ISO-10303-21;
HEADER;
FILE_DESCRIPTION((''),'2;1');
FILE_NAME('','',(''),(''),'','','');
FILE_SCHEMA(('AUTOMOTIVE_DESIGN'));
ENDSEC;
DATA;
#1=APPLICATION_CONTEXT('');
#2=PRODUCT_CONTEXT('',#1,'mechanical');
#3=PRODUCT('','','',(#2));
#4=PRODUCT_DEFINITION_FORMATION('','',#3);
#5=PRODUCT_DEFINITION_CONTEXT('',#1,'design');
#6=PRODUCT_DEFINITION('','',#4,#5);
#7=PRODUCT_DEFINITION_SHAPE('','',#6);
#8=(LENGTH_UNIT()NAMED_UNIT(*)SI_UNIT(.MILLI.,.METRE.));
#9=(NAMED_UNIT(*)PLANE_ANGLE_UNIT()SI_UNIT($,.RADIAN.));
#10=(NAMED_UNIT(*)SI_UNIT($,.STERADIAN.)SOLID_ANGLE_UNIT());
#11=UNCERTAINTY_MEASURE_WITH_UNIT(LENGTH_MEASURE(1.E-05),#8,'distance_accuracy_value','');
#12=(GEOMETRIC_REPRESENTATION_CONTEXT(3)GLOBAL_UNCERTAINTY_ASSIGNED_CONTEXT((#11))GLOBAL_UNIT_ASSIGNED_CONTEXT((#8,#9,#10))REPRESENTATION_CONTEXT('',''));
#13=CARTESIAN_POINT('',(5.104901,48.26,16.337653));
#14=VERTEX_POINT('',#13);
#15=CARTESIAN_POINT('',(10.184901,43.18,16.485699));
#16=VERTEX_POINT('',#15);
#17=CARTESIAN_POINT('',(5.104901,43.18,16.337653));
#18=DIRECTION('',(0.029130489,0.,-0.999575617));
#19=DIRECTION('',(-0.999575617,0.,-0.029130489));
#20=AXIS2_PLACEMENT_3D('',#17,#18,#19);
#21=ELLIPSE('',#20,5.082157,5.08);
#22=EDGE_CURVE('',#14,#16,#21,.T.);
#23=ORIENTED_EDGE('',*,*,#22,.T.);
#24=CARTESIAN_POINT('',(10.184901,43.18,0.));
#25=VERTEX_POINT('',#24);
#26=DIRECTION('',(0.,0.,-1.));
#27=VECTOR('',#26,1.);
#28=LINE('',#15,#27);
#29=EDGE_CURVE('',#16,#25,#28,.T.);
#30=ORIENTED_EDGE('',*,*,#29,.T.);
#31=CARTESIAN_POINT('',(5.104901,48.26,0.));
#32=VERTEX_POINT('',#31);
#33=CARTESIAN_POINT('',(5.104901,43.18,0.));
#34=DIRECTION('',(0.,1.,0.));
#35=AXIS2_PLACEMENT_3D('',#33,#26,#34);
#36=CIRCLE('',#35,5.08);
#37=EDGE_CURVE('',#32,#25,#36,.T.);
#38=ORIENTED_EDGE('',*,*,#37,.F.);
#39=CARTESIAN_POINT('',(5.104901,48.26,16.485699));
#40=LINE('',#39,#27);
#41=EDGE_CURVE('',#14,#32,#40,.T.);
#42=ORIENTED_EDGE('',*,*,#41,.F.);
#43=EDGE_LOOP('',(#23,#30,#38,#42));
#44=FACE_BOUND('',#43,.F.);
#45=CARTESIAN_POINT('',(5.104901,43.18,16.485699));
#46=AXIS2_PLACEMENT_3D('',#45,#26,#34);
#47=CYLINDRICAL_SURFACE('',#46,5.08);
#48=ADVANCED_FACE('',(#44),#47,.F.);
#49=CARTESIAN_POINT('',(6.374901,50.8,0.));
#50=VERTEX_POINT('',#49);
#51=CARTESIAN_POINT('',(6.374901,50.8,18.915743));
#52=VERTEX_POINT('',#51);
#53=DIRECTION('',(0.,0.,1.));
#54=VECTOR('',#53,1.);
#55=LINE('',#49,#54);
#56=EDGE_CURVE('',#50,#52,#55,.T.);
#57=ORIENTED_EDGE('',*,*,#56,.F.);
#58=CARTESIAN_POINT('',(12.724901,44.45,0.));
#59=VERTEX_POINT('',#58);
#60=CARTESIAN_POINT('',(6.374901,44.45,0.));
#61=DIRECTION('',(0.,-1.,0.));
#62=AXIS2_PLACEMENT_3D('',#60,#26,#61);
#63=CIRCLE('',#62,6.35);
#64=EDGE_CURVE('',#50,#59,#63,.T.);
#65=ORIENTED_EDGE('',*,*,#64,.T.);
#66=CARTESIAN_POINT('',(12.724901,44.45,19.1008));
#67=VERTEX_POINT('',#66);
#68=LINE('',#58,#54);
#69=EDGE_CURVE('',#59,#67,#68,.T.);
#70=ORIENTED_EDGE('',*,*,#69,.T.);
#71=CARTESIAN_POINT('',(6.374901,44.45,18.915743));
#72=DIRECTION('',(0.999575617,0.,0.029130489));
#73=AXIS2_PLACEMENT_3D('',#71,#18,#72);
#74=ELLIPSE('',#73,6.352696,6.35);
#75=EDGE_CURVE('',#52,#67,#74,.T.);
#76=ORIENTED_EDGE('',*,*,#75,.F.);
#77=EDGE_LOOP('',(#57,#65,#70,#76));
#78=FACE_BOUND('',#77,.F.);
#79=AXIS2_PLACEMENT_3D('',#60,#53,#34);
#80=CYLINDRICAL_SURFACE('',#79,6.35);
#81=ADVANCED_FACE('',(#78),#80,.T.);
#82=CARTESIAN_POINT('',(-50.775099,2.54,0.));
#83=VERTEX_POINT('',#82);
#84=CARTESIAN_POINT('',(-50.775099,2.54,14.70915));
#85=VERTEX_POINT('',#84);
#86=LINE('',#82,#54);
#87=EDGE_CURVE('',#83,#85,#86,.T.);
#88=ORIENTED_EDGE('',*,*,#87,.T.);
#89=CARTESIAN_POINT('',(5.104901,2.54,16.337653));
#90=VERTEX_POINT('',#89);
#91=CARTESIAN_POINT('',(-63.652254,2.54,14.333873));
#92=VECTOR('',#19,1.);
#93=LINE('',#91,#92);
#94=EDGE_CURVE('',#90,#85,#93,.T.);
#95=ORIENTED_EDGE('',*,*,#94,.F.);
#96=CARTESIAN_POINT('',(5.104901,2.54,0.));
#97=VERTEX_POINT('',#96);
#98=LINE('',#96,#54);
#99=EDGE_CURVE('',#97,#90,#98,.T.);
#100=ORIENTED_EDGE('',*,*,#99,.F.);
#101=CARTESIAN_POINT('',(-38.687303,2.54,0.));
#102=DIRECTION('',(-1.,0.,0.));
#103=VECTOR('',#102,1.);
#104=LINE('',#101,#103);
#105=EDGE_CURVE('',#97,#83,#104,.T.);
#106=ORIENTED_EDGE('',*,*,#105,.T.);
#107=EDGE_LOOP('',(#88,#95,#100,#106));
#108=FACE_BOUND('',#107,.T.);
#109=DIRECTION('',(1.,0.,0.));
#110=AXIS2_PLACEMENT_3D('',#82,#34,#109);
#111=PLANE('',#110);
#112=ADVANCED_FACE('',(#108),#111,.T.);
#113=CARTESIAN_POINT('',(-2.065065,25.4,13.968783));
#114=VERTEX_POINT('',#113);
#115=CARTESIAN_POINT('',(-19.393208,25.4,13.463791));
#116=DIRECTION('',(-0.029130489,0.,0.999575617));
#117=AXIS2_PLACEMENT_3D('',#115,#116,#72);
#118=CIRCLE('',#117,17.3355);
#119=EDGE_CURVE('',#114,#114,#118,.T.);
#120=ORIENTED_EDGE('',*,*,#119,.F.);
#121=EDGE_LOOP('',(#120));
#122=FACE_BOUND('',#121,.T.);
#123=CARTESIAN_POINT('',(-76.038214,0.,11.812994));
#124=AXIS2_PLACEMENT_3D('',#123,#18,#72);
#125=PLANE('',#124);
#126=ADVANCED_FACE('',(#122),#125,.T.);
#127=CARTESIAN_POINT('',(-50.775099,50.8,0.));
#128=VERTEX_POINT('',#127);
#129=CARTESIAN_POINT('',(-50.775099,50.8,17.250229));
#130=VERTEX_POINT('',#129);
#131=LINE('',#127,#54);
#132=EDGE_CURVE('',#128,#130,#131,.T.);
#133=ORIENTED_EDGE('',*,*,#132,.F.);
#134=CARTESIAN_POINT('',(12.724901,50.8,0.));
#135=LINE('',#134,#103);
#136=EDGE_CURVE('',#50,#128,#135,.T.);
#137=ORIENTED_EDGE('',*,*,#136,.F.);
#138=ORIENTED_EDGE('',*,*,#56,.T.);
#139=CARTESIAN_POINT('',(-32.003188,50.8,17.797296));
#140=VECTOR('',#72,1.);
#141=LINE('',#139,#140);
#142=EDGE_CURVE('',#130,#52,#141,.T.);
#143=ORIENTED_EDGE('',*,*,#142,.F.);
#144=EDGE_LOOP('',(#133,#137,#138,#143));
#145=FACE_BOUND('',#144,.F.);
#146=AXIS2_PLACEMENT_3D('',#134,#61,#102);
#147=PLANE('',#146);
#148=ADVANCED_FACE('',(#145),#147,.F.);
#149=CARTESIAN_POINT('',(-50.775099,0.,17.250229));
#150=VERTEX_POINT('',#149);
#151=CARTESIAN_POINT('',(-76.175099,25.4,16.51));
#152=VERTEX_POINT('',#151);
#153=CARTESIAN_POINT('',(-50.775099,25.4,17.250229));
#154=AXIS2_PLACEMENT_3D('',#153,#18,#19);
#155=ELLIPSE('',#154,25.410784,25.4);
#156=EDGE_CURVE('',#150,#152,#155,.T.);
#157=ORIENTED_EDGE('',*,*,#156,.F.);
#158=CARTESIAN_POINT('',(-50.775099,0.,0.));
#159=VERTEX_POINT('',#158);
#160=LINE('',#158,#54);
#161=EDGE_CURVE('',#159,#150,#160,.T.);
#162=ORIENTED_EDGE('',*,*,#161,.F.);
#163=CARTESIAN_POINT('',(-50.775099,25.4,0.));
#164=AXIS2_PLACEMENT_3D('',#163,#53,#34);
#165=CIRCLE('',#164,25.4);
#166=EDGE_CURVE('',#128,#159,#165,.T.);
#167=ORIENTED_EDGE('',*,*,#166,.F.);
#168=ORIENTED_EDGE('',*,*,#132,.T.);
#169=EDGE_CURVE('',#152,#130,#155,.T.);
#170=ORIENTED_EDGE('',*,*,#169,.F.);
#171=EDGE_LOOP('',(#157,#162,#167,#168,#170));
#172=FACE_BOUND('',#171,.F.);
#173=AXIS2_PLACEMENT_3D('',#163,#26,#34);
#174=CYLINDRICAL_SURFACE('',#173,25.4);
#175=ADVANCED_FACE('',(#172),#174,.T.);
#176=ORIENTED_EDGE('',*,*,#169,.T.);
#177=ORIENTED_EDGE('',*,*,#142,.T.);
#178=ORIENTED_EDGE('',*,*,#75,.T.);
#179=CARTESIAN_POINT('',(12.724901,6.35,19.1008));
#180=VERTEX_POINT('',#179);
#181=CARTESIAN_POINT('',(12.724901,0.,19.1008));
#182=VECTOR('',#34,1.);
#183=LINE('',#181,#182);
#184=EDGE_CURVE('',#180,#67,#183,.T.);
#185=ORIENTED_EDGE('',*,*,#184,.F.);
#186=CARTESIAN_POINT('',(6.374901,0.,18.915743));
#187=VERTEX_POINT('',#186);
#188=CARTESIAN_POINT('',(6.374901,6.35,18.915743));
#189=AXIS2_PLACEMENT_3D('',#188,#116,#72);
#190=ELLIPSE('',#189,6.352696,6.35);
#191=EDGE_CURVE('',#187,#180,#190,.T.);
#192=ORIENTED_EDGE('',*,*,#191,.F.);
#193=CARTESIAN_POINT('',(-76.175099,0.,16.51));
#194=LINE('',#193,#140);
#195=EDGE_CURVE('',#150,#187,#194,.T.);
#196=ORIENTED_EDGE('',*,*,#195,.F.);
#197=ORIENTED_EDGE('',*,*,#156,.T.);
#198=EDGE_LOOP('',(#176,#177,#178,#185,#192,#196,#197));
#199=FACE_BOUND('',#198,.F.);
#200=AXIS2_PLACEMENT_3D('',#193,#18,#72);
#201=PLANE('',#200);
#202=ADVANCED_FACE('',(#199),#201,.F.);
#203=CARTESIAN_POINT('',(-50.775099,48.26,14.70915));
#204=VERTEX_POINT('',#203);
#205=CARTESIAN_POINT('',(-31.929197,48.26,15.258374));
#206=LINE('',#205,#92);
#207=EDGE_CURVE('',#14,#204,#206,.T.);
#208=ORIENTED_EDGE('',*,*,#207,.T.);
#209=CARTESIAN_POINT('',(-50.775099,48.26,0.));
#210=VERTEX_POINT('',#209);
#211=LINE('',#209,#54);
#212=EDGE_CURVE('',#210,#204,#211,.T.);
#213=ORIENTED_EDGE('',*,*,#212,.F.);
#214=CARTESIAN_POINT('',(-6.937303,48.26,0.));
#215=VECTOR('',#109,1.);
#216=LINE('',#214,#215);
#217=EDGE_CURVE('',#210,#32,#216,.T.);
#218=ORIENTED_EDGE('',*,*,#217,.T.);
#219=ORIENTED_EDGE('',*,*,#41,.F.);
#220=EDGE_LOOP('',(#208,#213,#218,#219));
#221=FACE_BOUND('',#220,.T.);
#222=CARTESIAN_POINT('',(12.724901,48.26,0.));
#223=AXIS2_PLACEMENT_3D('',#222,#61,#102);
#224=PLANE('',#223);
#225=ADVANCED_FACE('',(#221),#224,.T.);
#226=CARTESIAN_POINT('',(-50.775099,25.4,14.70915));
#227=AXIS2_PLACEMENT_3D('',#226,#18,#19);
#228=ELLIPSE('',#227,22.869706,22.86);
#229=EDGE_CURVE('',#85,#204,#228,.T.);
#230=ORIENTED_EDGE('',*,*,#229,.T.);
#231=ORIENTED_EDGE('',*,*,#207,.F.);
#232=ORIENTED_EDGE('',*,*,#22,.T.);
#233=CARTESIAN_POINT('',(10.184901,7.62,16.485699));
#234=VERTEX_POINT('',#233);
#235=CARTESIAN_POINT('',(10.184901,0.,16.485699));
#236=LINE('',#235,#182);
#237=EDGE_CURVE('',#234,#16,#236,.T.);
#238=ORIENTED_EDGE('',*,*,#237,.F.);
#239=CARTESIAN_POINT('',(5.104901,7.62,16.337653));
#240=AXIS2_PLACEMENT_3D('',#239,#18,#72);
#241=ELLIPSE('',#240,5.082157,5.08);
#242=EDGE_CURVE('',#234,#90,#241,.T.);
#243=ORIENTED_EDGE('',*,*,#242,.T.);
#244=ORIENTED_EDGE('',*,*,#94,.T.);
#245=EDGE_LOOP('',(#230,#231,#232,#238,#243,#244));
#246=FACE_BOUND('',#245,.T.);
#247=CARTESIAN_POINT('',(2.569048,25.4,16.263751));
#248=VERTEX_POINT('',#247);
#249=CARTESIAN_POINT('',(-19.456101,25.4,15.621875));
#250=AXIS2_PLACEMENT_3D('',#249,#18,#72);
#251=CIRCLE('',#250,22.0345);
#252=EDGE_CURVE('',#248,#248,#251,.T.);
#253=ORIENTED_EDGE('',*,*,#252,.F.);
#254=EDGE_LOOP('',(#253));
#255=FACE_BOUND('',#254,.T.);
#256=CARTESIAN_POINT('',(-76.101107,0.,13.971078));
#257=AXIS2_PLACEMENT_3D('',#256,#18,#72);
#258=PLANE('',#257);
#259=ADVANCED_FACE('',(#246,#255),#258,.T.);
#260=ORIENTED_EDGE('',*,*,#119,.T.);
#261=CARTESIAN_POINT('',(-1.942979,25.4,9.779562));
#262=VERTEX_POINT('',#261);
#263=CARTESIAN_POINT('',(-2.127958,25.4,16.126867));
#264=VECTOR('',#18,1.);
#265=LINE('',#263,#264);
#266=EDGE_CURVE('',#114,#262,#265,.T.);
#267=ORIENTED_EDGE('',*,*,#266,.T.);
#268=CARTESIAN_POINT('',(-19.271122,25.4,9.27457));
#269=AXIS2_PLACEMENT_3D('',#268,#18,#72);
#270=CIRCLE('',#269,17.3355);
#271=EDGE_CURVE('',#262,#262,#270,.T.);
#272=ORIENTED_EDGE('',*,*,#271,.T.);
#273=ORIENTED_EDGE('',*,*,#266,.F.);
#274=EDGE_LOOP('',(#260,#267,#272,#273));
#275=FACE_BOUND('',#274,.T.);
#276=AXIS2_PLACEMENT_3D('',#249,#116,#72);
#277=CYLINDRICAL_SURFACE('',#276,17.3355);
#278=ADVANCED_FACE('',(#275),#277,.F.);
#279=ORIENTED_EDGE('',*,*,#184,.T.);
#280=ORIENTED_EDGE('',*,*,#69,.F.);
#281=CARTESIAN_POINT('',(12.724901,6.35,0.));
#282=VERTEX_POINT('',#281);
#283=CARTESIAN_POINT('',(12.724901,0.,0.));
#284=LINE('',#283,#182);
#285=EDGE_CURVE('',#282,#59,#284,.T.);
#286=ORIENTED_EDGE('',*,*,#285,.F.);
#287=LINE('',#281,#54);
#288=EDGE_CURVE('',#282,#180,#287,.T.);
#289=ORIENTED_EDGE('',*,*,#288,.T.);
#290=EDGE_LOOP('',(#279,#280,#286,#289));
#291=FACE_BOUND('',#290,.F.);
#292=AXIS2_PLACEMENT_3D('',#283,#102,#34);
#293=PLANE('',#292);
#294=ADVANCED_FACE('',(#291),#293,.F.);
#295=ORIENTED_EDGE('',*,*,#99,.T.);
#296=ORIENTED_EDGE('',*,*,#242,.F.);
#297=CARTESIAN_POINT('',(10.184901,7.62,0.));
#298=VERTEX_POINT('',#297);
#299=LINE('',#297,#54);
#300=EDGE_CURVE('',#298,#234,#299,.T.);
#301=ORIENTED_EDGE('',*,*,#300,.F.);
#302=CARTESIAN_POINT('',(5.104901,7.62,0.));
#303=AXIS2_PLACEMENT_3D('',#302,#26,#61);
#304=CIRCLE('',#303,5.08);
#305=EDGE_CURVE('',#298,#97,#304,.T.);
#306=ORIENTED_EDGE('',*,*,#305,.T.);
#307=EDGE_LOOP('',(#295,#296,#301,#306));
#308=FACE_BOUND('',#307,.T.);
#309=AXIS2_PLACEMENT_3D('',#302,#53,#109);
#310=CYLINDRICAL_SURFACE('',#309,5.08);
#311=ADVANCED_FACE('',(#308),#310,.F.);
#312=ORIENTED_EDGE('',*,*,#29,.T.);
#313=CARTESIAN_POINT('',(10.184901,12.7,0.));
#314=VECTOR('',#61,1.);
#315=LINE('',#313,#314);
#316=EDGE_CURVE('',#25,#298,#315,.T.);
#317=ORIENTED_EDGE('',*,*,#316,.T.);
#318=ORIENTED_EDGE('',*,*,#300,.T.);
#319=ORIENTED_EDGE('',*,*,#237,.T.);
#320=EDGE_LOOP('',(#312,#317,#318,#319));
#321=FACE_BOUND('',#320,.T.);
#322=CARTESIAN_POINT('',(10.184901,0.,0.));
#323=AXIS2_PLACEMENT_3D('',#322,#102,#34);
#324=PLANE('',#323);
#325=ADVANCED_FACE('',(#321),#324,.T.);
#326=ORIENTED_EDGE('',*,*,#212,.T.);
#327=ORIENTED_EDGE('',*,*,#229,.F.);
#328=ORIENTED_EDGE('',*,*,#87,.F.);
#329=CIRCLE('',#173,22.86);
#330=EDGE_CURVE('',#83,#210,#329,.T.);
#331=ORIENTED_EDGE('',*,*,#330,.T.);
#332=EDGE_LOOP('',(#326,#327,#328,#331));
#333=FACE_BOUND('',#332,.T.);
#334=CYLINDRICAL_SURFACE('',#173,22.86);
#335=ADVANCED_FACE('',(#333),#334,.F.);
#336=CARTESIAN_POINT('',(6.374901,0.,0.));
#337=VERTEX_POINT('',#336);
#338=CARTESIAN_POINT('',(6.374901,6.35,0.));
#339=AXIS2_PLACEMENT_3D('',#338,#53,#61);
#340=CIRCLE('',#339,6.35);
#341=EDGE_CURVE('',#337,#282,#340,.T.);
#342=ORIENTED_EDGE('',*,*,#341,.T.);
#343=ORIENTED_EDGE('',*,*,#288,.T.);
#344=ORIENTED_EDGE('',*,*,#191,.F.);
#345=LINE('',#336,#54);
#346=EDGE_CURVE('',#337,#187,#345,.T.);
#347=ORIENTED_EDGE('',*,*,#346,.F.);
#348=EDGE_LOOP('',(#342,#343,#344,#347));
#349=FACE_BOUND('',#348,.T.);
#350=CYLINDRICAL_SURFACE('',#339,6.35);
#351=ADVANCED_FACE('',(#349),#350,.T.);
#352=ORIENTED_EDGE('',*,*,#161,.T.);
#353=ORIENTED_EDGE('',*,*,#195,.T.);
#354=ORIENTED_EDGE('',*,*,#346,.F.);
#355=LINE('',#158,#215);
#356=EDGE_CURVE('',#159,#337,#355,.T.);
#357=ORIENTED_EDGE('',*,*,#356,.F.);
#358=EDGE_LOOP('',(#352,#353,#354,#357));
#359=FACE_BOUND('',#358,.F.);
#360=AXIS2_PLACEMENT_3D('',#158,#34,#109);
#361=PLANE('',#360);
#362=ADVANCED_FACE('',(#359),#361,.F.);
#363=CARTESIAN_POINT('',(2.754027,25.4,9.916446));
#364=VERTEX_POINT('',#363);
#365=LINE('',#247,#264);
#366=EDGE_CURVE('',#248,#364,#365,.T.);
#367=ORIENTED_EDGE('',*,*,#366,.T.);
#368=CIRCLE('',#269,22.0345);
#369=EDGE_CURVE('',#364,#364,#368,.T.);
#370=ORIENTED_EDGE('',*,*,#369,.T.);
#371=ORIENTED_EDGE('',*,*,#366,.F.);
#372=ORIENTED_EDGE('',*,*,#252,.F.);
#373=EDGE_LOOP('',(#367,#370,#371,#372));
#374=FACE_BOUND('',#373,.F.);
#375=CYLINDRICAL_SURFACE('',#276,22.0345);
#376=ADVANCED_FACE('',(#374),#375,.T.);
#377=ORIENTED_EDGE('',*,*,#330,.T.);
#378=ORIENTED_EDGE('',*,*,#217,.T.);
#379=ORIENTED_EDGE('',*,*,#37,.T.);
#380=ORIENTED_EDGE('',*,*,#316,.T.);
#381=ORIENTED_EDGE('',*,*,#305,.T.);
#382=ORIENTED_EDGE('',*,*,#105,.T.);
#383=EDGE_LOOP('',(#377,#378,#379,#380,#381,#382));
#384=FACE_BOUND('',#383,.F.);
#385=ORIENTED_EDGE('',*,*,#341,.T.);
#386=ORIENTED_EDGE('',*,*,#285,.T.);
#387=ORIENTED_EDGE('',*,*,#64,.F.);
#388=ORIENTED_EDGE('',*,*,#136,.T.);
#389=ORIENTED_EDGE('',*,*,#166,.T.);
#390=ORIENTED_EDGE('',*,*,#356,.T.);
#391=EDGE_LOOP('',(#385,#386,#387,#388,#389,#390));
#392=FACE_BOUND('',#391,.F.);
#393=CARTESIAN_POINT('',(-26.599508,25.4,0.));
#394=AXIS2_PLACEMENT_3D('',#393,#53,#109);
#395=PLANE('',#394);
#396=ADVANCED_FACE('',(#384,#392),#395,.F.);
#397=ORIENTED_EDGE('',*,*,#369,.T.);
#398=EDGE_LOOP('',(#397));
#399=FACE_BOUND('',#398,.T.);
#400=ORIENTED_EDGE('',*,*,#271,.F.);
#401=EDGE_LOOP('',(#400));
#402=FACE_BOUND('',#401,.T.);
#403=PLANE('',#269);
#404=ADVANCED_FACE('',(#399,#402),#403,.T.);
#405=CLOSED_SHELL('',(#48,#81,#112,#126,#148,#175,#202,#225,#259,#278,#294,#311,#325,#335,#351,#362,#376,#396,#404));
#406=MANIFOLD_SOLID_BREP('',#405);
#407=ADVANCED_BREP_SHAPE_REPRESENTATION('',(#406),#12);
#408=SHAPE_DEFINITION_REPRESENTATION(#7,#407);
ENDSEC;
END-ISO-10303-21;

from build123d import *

# Parameters (mm, degrees)
F1_DEPTH = 19.1008
F3_DEPTH = 76.2
F4_T     = -2.54
F5_R     = 22.0345
F6_DEPTH = 6.35
F7_R     = 6.35
F8_T     = -4.699
F9_R     = 5.08


with BuildPart() as f1:
    # F0 (on Top) → F1 (new body)
    with BuildSketch(Plane.XY):
        with BuildLine():
            ThreePointArc((-50.7750985182, 50.8), (-76.1750985182, 25.4), (-50.7750985182, 0))
            Line((-50.7750985182, 0), (12.7249014818, 0))
            Line((12.7249014818, 0), (12.7249014818, 50.8))
            Line((12.7249014818, 50.8), (-50.7750985182, 50.8))
        make_face()
    extrude(amount=F1_DEPTH)

    # F2 (on face) → F3 (cut)
    with BuildSketch(Plane.XZ):
        Polygon((-76.1750985182, 16.51), (12.7249014818, 19.1008), (-76.1750985182, 19.1008), align=None)
    extrude(amount=-F3_DEPTH, mode=Mode.SUBTRACT)

    # F4
    f4_openings = [f1.faces().sort_by_distance(p)[0] for p in [
        (-29.192225, 25.4, 0),
    ]]
    offset(amount=F4_T, openings=f4_openings, kind=Kind.INTERSECTION)

    # F5 (on face) → F6 (join)
    with BuildSketch(Plane(origin=(-0.4713899101, 0, 16.1751439753), x_dir=(0.9995756172, 0, 0.0291304894), z_dir=(0.0291304894, 0, -0.9995756172))):
        with Locations((-18.9927711198, -25.4)):
            Circle(F5_R)
    extrude(amount=F6_DEPTH)

    # F7
    f7_edges = [f1.edges().sort_by_distance(p)[0] for p in [
        (12.724901, 50.8, 9.5504),
        (12.724901, 0, 9.5504),
    ]]
    fillet(f7_edges, radius=F7_R)

    # F8
    f8_openings = [f1.faces().sort_by_distance(p)[0] for p in [
        (-19.271122, 25.4, 9.27457),
    ]]
    offset(amount=F8_T, openings=f8_openings)

    # F9
    f9_edges = [f1.edges().sort_by_distance(p)[0] for p in [
        (10.184901, 2.54, 8.242849),
        (10.184901, 48.26, 8.242849),
    ]]
    fillet(f9_edges, radius=F9_R)


solid = f1.part
